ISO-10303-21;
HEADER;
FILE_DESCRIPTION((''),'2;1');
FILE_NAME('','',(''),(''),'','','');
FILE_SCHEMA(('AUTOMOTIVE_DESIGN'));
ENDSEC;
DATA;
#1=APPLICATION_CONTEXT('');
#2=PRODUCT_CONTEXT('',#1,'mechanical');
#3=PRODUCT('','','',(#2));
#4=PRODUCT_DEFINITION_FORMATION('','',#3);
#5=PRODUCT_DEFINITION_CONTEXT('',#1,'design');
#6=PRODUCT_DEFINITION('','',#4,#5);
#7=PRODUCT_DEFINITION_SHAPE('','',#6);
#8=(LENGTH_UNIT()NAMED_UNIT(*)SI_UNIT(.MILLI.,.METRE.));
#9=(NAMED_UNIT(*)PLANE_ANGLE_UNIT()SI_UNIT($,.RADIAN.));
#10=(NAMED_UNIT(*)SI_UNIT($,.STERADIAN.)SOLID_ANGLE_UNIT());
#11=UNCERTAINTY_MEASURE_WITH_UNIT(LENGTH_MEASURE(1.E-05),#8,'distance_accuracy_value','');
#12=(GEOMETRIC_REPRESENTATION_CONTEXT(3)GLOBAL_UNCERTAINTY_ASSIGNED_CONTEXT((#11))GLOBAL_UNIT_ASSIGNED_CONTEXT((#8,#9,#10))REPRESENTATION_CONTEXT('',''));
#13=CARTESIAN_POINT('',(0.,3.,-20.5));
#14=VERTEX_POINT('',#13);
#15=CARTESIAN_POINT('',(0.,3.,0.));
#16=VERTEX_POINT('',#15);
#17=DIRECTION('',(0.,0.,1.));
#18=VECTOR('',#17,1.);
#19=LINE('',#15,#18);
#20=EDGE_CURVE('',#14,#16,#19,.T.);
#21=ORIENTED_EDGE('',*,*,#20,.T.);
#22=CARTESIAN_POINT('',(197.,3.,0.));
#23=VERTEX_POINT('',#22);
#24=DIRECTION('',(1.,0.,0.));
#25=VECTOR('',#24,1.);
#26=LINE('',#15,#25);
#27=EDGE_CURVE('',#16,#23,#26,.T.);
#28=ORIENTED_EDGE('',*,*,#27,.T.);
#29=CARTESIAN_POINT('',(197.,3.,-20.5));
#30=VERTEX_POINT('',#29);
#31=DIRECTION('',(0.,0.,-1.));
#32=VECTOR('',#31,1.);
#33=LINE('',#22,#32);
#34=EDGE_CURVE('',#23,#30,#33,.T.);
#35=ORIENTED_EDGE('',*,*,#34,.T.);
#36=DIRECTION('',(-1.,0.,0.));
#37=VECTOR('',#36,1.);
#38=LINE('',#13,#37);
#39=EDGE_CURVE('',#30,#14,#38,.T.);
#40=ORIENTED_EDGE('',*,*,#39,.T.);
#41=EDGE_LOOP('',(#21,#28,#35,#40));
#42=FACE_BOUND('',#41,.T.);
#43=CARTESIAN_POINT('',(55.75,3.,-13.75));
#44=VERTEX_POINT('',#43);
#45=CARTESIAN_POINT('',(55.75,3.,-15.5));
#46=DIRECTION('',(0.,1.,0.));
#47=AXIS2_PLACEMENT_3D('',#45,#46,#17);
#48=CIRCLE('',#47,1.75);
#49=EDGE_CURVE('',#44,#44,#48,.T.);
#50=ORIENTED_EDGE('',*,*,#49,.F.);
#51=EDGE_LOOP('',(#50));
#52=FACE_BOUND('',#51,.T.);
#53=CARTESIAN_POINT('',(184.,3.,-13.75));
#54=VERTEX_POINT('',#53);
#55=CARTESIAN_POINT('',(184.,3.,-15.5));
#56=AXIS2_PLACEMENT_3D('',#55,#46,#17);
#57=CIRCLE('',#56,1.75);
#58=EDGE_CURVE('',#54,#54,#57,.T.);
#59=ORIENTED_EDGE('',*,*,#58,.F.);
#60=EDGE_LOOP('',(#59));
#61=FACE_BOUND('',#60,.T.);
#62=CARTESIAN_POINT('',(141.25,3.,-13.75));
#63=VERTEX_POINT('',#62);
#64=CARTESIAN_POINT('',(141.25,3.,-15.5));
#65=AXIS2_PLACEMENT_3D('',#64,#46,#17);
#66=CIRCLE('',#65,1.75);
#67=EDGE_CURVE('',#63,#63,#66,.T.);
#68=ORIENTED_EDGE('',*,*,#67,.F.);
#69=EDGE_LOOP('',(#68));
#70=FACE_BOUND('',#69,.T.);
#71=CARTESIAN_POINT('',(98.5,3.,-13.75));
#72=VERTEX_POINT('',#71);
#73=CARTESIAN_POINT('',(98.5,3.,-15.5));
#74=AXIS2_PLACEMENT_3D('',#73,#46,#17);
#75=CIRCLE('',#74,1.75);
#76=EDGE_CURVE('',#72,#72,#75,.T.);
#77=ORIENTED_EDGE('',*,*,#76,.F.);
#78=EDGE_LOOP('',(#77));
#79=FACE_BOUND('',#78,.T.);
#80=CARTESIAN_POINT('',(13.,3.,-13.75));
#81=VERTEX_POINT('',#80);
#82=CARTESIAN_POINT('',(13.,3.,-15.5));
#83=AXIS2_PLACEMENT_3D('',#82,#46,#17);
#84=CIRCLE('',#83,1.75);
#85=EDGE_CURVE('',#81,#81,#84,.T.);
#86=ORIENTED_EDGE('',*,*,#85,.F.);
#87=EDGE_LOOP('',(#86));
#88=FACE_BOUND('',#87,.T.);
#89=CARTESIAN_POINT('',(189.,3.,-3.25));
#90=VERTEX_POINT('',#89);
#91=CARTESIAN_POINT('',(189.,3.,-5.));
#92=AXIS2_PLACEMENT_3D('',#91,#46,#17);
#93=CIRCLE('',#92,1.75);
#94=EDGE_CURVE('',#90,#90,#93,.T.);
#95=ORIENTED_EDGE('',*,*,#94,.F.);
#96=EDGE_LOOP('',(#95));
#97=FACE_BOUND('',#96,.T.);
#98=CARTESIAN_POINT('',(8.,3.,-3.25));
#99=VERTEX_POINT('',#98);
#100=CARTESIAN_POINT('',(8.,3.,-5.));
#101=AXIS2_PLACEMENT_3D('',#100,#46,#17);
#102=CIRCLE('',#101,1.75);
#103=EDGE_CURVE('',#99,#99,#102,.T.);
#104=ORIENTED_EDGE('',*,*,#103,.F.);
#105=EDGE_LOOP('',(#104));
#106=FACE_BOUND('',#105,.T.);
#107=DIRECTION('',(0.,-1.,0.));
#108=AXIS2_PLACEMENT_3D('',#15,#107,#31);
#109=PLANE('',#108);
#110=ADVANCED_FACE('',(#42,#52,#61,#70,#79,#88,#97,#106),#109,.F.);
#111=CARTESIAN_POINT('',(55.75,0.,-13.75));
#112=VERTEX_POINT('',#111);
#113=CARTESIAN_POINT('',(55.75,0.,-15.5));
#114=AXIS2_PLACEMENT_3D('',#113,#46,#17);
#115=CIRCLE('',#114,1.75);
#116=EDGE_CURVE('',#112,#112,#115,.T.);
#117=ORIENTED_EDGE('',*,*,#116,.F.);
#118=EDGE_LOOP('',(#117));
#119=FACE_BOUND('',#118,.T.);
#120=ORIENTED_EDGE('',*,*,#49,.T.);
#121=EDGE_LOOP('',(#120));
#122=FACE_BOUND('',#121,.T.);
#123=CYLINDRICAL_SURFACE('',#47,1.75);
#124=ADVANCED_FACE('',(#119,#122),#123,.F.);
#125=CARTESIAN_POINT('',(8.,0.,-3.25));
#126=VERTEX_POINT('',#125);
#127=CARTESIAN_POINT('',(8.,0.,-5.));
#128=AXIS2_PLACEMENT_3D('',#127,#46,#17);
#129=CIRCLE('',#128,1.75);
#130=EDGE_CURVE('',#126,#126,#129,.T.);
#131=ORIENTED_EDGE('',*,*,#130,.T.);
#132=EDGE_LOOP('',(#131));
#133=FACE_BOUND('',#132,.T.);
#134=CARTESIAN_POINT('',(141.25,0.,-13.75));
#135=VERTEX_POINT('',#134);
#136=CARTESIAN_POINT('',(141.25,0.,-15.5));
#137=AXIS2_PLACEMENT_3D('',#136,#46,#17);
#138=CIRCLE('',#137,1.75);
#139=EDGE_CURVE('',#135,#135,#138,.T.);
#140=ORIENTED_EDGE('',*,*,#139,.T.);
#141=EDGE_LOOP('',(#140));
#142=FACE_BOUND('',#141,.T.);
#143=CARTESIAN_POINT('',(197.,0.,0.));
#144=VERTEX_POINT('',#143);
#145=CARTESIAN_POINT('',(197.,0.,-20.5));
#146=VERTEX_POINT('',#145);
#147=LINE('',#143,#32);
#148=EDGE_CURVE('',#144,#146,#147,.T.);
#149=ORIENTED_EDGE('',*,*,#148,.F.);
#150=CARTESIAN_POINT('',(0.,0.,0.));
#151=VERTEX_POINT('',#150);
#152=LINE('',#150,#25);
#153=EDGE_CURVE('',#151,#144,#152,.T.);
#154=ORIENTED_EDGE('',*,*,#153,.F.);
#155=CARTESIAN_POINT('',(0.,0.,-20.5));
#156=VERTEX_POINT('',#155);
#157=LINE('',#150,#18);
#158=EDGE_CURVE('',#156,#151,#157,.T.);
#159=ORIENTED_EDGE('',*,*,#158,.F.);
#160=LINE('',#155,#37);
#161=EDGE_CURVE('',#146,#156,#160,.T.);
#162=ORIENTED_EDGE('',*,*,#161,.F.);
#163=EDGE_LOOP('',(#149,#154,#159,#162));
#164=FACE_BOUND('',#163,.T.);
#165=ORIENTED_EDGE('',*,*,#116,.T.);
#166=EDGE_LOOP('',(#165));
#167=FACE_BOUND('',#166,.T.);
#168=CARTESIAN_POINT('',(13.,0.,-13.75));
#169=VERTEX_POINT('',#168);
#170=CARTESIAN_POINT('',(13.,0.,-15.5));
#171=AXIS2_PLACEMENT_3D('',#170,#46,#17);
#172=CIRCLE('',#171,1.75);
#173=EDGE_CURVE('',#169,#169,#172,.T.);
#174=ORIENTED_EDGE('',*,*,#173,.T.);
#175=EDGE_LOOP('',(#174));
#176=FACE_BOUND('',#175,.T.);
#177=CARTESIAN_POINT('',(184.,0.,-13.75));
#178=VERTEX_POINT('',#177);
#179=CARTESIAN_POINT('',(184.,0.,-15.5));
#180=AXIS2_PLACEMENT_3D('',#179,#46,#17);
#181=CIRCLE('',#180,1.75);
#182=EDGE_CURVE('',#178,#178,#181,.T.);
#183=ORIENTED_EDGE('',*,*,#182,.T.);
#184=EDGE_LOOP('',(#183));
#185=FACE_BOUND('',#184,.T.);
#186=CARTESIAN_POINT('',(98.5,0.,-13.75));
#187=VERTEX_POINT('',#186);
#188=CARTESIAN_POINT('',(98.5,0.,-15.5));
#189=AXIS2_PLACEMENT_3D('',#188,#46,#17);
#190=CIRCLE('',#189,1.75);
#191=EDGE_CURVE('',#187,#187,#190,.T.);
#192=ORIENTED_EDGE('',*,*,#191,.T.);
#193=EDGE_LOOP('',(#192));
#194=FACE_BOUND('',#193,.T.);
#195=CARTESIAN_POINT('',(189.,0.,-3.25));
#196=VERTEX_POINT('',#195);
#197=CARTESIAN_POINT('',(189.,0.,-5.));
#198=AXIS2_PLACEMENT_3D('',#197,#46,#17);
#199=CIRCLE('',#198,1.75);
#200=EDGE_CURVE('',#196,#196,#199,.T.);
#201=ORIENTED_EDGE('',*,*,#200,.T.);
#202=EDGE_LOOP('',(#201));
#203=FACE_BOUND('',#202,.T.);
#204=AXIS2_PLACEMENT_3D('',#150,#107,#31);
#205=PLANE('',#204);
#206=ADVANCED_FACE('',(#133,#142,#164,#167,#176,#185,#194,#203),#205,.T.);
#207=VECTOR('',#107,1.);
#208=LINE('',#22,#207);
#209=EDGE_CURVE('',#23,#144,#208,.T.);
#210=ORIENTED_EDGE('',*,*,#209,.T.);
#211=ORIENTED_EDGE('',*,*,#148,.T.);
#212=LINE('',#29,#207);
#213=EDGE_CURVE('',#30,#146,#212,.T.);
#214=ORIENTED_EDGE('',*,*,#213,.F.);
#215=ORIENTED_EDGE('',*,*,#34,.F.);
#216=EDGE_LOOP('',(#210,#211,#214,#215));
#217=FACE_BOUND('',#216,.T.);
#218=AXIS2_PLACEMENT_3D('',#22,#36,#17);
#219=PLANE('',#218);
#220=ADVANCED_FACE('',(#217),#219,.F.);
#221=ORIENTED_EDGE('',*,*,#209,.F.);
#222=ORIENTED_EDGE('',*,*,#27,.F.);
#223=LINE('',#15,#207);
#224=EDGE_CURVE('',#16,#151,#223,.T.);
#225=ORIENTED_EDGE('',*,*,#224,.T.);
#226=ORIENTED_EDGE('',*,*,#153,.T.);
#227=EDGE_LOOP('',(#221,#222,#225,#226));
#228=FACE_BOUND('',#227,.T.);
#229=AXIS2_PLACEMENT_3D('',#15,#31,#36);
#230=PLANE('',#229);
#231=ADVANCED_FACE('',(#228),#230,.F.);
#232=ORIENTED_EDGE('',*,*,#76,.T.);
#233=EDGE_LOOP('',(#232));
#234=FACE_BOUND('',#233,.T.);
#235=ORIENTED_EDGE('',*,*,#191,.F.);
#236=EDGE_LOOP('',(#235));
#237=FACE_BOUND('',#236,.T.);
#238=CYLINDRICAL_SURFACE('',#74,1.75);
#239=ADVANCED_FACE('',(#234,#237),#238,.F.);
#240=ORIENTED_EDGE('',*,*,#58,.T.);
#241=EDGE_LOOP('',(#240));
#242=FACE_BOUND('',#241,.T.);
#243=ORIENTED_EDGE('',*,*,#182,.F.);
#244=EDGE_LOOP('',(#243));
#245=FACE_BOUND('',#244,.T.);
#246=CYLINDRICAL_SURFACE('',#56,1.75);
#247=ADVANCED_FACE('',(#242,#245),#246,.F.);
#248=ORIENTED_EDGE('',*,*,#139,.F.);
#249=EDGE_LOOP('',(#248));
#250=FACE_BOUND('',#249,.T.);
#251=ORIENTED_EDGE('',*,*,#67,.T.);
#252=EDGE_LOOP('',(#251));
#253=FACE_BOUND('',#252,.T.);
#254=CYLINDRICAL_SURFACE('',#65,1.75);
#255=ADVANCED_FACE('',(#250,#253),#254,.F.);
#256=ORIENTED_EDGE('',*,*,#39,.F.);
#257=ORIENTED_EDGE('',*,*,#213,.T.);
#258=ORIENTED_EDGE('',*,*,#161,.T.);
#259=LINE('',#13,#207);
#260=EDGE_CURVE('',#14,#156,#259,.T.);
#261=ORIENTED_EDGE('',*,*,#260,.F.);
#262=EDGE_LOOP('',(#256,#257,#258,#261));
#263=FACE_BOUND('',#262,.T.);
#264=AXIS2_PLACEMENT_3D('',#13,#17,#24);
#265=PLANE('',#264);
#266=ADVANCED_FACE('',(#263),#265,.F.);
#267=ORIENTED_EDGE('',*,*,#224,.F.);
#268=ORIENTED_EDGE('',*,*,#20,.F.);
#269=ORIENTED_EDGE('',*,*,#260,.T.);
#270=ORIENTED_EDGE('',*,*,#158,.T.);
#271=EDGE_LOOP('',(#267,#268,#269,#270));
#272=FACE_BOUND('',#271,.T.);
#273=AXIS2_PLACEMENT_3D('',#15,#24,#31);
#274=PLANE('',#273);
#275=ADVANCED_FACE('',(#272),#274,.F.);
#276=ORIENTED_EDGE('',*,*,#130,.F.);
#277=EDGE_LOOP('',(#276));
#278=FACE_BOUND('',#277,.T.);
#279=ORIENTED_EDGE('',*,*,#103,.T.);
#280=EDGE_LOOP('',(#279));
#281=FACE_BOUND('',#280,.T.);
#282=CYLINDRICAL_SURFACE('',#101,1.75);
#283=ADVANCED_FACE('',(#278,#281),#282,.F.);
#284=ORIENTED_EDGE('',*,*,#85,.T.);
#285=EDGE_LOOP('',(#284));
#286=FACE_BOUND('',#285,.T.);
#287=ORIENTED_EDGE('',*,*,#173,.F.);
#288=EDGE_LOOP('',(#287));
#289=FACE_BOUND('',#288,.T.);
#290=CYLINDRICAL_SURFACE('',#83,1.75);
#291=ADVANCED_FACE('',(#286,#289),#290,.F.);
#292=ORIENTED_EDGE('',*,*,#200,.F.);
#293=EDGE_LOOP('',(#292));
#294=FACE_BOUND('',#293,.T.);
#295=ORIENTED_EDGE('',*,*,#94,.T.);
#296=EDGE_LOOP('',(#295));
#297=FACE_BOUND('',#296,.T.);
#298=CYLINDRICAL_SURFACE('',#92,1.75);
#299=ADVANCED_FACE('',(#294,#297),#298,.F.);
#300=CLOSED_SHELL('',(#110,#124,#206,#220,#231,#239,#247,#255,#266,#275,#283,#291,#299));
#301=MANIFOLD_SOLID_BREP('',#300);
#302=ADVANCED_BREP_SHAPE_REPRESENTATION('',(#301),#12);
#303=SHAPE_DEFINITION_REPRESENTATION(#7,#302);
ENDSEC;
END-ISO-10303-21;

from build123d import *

# Parameters (mm, degrees)
SKETCH_1_W      = 197
SKETCH_1_H      = 20.5
EXTRUDE_1_DEPTH = 3
HOLE_WIZARD_1_D = 3.5
HOLE_WIZARD_2_D = 3.5


with BuildPart() as part:
    # 草图1 → 凸台-拉伸1 (new body)
    with BuildSketch(Plane(origin=(0, 0, 0), x_dir=(1, 0, 0), z_dir=(0, 1, 0))):
        with Locations((98.5, 10.25)):
            Rectangle(SKETCH_1_W, SKETCH_1_H)
    extrude(amount=EXTRUDE_1_DEPTH)

    # 孔1 (through all)
    with Locations(Plane(origin=(0, 3, 0), x_dir=(1, 0, 0), z_dir=(0, 1, 0))):
        with Locations((8, 5), (189, 5)):
            Hole(HOLE_WIZARD_1_D / 2)

    # 孔2 (through all)
    with Locations(Plane(origin=(0, 3, 0), x_dir=(1, 0, 0), z_dir=(0, 1, 0))):
        with Locations((98.5, 15.5), (141.25, 15.5), (55.75, 15.5), (13, 15.5), (184, 15.5)):
            Hole(HOLE_WIZARD_2_D / 2)


solid = part.part
